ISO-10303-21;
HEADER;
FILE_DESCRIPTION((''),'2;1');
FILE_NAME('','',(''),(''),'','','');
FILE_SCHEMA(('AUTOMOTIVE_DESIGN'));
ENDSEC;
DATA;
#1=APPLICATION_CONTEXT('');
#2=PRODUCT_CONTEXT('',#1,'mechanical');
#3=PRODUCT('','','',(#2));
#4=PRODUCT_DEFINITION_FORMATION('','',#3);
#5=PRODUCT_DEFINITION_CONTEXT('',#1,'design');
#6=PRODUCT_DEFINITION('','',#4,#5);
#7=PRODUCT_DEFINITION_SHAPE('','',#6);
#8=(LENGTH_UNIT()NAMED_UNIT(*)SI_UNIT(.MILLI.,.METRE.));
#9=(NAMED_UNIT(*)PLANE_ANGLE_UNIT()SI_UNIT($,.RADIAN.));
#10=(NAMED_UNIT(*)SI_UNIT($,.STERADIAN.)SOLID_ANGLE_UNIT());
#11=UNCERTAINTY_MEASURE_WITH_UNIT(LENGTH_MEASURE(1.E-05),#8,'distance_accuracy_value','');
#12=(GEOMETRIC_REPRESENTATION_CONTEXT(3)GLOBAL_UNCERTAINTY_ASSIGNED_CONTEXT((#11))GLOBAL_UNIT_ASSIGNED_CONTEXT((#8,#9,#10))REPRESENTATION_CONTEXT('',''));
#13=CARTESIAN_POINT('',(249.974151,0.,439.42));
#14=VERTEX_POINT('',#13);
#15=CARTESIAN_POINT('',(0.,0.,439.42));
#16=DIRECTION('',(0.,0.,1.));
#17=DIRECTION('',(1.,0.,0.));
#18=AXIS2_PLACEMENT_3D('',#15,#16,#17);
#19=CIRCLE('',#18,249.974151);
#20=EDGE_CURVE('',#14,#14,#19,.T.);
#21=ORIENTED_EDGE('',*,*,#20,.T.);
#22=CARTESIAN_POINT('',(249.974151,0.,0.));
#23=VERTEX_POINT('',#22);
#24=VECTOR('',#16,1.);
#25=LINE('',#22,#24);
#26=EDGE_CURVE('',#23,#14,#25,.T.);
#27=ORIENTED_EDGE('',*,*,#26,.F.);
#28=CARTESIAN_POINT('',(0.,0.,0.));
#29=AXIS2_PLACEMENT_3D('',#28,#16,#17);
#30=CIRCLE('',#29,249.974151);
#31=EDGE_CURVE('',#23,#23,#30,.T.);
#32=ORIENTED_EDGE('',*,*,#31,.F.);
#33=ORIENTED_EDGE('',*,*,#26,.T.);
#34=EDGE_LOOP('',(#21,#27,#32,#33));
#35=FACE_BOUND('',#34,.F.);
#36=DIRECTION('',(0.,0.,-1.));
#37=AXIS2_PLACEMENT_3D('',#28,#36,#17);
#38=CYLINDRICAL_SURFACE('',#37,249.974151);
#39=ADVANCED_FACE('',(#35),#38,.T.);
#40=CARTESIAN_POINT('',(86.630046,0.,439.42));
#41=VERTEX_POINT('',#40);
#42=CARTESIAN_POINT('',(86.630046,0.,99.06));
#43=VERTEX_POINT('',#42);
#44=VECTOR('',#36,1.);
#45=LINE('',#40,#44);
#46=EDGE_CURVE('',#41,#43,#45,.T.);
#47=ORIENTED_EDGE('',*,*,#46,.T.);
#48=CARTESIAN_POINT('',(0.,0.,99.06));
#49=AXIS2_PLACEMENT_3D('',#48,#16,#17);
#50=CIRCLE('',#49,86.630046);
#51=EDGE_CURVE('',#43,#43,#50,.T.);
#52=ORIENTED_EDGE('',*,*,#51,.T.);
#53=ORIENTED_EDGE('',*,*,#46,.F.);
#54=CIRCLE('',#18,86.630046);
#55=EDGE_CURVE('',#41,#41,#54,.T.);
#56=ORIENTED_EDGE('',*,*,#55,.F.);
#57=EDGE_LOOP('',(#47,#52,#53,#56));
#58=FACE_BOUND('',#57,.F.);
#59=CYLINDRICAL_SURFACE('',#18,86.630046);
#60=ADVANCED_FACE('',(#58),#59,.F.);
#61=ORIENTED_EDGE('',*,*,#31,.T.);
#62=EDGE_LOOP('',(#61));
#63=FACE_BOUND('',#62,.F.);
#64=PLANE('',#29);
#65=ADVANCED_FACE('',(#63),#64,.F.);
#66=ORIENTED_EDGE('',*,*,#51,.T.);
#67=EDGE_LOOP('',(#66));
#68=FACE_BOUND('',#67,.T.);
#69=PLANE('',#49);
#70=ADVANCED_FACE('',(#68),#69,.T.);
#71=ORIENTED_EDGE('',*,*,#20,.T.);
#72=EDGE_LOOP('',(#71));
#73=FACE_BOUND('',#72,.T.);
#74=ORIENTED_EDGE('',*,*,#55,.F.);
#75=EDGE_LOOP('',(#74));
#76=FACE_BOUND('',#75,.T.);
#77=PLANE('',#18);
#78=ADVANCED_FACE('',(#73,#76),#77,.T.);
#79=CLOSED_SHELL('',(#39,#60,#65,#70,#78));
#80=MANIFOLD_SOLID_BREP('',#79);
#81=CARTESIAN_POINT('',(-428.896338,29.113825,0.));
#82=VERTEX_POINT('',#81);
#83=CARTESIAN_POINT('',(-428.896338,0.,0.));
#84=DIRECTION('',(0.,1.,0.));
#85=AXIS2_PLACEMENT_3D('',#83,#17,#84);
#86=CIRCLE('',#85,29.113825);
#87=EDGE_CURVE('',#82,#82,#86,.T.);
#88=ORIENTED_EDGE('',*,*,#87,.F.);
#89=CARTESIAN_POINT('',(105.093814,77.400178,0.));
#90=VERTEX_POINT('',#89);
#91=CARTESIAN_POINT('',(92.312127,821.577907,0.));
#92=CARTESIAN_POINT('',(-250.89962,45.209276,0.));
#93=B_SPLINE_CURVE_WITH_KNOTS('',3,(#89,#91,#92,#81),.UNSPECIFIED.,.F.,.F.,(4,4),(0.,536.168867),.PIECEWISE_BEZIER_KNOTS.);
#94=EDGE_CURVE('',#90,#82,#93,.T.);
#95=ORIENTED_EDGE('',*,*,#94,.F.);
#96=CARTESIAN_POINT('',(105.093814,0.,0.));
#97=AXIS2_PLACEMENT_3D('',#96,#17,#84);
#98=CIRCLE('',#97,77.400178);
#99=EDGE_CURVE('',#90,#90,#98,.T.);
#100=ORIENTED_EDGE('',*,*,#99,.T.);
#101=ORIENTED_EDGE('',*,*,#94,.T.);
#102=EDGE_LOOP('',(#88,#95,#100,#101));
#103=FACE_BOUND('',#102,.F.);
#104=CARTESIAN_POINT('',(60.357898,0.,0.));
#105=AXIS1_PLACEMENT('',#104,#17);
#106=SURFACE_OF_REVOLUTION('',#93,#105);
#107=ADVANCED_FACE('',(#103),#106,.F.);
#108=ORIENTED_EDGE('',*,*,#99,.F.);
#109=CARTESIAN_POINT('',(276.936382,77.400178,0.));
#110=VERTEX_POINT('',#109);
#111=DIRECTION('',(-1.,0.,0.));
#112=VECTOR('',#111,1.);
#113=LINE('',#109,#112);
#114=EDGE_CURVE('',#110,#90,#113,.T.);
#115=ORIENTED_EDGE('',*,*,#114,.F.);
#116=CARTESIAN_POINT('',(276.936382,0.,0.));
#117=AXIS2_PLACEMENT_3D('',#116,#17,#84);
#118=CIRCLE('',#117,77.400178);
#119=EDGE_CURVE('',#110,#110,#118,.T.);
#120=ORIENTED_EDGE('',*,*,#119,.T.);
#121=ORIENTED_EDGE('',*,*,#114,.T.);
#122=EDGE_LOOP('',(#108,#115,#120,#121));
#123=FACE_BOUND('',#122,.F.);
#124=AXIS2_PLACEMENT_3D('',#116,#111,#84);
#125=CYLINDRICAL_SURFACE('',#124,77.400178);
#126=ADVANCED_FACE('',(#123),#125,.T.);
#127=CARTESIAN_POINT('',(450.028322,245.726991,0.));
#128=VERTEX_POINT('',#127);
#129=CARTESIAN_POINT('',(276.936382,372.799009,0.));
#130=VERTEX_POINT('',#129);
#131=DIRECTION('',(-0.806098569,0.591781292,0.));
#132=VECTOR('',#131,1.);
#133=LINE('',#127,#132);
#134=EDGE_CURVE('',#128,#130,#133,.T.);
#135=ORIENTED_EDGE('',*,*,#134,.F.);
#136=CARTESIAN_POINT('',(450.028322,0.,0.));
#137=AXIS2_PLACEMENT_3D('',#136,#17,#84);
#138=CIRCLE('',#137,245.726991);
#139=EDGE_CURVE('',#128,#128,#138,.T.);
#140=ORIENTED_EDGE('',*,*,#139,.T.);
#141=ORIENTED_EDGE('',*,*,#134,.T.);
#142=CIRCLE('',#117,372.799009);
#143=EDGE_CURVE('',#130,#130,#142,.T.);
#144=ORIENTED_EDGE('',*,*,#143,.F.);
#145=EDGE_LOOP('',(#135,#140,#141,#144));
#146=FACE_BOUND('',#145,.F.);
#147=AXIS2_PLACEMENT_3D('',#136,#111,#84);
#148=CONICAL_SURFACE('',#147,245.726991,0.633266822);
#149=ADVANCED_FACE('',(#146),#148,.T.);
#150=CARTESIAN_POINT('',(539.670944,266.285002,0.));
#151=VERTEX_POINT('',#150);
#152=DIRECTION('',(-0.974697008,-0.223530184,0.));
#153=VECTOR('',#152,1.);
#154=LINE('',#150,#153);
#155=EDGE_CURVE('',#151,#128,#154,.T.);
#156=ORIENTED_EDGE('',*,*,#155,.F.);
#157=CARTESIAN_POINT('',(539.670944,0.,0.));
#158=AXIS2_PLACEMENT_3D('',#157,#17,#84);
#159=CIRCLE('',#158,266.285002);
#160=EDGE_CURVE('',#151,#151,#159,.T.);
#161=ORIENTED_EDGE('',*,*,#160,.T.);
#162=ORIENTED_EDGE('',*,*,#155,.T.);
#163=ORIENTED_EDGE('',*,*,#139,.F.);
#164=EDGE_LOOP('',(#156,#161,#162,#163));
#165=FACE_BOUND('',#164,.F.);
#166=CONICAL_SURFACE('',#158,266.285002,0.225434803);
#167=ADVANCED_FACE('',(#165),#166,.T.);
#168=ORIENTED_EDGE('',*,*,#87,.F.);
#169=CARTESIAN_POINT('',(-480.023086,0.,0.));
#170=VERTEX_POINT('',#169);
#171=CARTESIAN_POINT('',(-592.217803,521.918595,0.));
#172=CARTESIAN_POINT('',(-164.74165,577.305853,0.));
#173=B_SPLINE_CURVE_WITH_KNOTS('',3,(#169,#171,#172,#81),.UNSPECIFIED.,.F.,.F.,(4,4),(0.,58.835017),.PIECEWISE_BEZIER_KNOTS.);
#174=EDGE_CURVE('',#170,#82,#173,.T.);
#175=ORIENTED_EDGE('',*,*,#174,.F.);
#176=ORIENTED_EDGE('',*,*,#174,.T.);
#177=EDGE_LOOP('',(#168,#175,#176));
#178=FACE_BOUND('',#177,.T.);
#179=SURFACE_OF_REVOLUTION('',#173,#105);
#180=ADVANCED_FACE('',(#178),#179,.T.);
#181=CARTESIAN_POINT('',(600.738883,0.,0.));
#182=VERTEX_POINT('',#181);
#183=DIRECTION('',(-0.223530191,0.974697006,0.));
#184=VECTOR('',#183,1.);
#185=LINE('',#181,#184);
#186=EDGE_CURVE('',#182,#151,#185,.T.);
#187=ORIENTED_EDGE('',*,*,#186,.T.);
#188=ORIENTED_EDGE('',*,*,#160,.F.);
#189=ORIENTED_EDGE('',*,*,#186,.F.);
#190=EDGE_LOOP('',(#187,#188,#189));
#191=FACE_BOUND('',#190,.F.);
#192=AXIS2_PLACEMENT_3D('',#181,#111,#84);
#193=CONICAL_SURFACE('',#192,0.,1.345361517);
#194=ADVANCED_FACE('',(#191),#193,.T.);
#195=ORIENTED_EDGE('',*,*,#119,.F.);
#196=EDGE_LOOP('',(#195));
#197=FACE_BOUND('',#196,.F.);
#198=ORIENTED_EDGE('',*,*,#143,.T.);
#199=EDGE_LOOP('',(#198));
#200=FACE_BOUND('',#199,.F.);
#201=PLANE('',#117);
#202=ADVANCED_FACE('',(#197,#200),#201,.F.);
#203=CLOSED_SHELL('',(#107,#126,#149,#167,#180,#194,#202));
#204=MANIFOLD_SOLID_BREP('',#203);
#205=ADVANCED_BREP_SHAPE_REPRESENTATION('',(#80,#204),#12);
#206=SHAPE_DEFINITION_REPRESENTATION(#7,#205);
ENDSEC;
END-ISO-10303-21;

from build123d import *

# Parameters (mm, degrees)
F0_R     = 249.974151
F1_DEPTH = 439.42
F2_R     = 86.630046
F3_DEPTH = 340.36


with BuildPart() as f1:
    # F0 (on Top) → F1 (new body)
    with BuildSketch(Plane.XY):
        Circle(F0_R)
    extrude(amount=F1_DEPTH)

    # F2 (on face) → F3 (cut)
    with BuildSketch(Plane.XY.offset(439.42)):
        Circle(F2_R)
    extrude(amount=-F3_DEPTH, mode=Mode.SUBTRACT)


with BuildPart() as f5:
    # F4 (on Top) → F5 (revolve)
    with BuildSketch(Plane.XY):
        with BuildLine():
            add(Edge.make_bspline(
                [(-480.023086, 0), (-592.217803, 521.918595), (-164.74165, 577.305853), (-428.896338, 29.113825)],
                knots=[0, 0, 0, 0, 58.835017, 58.835017, 58.835017, 58.835017], degree=3))
            Line((-480.023086, 0), (600.738883, 0))
            Line((600.738883, 0), (539.670944, 266.285002))
            Line((539.670944, 266.285002), (450.028322, 245.726991))
            Line((450.028322, 245.726991), (276.936382, 372.799009))
            Line((276.936382, 372.799009), (276.936382, 77.400178))
            Line((276.936382, 77.400178), (105.093814, 77.400178))
            add(Edge.make_bspline(
                [(105.093814, 77.400178), (92.312127, 821.577907), (-250.89962, 45.209276), (-428.896338, 29.113825)],
                knots=[0, 0, 0, 0, 536.168867, 536.168867, 536.168867, 536.168867], degree=3))
        make_face()
    revolve(axis=Axis((60.357898, 0, 0), (1, 0, 0)))


solid = Compound([f1.part, f5.part])
